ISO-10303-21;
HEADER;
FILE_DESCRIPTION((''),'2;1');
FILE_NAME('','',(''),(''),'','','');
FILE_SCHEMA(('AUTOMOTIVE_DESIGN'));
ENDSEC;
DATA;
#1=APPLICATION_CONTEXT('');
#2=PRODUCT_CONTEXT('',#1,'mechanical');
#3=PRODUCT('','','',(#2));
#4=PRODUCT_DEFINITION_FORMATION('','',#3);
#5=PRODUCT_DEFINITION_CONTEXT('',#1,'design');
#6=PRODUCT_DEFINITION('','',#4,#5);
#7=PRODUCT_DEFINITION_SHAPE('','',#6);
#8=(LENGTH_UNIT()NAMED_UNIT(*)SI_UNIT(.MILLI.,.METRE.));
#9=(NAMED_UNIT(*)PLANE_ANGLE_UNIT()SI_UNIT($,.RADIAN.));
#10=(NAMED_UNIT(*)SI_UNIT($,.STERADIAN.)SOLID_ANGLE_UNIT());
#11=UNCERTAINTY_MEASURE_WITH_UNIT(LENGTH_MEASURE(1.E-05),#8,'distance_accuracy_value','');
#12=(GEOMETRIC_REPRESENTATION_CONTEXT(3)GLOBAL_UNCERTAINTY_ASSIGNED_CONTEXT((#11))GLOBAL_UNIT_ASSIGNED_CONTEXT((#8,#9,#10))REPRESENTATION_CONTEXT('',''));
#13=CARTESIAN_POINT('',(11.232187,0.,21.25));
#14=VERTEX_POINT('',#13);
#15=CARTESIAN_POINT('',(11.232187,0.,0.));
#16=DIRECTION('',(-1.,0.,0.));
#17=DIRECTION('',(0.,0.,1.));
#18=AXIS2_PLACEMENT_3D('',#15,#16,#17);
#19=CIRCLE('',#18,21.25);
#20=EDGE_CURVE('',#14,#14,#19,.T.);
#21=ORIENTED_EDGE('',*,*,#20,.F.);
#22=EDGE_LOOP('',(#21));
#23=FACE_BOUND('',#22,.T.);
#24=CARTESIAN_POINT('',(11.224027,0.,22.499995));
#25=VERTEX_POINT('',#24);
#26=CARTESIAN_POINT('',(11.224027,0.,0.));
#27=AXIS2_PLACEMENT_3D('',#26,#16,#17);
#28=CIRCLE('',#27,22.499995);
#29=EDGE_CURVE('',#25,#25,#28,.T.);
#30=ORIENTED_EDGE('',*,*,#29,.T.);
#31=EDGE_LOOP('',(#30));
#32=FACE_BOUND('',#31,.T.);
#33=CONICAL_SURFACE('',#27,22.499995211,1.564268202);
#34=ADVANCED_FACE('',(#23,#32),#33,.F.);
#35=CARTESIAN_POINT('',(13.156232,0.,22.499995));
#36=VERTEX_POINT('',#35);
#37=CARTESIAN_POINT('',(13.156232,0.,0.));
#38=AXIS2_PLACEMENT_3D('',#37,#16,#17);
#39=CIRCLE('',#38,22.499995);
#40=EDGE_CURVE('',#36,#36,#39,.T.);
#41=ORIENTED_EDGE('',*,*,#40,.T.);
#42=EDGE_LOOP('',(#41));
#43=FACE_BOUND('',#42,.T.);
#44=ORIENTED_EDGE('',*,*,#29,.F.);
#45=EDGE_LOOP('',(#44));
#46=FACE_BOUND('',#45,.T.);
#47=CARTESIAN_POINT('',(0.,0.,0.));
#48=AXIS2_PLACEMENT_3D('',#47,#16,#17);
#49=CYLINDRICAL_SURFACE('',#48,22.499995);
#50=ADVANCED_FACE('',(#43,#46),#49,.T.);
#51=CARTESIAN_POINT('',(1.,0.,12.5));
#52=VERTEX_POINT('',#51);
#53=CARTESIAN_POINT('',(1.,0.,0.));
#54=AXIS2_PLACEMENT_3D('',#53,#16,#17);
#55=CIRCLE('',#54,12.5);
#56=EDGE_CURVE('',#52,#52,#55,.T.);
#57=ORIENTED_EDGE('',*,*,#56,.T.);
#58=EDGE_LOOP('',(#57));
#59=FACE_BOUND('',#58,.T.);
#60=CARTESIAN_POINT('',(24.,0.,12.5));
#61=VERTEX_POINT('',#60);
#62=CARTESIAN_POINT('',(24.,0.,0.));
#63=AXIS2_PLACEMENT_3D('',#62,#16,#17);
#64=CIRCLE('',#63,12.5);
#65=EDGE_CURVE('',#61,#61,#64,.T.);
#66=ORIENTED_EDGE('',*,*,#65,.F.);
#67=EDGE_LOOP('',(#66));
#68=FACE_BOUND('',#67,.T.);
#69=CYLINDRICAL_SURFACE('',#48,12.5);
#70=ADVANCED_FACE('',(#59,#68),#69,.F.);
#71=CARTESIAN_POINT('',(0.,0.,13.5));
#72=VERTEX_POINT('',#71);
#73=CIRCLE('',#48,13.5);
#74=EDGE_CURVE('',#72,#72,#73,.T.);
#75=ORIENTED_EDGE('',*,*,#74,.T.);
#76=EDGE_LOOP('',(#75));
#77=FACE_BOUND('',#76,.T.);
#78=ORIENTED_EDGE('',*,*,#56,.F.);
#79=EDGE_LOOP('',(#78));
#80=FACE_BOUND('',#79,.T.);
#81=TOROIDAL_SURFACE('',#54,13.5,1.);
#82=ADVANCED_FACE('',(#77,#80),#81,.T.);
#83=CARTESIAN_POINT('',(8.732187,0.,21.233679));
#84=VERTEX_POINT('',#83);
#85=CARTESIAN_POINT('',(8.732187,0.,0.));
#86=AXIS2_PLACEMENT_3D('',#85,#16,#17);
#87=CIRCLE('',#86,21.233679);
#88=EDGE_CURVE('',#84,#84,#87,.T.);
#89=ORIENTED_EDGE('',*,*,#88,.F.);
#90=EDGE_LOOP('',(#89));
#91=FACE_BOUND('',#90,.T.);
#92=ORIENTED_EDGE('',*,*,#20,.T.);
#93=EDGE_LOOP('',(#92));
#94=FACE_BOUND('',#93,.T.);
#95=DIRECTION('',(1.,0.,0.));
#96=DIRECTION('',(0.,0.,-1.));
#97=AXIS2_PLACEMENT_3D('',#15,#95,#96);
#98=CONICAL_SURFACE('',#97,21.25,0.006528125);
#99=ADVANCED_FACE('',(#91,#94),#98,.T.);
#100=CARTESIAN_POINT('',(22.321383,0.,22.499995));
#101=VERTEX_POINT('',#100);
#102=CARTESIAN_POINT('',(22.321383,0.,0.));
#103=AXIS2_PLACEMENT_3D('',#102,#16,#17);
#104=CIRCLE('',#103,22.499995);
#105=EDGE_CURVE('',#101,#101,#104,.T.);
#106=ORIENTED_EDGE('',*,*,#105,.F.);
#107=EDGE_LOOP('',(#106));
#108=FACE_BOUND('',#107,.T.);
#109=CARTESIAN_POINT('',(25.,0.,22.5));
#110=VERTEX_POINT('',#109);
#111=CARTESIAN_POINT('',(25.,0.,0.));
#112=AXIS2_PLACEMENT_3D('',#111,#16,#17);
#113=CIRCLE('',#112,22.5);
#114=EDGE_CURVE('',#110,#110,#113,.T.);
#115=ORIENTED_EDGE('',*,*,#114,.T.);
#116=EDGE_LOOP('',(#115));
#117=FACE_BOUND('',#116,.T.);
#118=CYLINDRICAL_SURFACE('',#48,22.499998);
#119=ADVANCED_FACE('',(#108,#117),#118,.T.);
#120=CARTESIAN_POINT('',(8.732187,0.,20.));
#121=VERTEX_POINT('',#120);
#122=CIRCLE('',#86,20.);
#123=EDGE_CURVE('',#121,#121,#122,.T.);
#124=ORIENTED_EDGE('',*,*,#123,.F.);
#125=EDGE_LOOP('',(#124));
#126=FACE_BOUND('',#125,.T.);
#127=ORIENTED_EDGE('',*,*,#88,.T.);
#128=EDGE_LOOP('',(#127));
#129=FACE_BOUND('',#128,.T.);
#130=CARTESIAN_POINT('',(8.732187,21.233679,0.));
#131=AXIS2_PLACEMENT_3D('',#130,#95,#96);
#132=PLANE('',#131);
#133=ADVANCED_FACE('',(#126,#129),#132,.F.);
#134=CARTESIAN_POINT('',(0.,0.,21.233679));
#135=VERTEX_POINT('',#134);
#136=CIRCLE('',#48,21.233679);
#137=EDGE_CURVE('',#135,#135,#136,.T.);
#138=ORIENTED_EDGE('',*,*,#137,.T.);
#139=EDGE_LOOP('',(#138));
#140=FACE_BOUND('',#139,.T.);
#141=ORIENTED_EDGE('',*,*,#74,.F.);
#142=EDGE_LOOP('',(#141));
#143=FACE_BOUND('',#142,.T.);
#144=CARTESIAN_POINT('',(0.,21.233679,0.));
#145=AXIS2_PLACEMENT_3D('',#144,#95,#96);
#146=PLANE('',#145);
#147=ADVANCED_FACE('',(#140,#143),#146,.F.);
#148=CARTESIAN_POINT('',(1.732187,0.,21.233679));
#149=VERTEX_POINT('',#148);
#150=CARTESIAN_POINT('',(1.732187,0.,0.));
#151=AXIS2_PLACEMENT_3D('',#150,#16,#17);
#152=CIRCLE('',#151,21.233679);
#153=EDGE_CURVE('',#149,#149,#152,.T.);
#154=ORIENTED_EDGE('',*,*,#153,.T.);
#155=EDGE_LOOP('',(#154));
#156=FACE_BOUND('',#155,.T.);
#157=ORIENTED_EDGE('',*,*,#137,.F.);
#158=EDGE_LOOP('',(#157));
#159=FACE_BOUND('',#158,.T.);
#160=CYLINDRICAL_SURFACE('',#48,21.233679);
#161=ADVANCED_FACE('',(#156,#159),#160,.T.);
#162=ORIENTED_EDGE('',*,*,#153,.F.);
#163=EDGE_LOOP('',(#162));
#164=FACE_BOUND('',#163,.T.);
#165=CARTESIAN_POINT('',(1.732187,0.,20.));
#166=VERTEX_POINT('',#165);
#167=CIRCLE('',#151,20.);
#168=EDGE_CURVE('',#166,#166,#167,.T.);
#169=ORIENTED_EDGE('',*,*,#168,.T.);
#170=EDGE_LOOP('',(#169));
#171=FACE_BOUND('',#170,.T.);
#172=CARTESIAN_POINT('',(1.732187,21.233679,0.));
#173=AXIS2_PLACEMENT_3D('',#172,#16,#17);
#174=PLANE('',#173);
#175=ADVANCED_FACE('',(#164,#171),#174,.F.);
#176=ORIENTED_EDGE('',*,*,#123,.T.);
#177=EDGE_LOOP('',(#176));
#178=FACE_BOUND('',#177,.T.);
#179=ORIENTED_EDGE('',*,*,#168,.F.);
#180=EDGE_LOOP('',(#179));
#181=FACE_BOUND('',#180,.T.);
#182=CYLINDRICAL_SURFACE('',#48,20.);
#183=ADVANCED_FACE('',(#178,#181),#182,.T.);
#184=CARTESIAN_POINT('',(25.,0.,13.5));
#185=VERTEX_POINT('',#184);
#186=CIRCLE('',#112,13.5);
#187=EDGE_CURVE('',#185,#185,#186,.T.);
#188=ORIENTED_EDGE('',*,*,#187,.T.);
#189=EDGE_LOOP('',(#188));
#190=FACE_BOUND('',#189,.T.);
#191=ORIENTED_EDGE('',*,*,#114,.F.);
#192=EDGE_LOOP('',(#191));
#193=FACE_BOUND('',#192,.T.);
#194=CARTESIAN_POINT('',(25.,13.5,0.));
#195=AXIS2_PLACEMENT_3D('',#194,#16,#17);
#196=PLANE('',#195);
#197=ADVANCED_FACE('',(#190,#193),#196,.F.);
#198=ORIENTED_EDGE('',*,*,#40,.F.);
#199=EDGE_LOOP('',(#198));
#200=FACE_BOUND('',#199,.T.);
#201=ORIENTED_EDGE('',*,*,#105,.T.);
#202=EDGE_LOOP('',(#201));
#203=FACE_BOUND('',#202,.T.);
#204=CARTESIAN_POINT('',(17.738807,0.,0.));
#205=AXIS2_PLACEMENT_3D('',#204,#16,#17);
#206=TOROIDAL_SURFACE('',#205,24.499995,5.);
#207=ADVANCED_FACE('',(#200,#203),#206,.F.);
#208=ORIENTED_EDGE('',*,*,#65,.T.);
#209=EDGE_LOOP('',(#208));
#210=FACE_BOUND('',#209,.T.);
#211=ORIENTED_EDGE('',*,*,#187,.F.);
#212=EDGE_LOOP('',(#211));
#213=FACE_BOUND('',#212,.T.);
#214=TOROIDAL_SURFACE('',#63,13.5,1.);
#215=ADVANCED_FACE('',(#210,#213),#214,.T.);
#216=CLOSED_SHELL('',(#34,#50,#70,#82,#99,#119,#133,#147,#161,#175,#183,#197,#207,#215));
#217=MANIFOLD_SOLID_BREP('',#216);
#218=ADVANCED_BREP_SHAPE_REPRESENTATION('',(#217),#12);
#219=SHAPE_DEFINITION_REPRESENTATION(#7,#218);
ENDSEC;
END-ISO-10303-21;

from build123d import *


with BuildPart() as part:
    # Esquisse1 → Base-Révolution (revolve)
    with BuildSketch(Plane.XY, mode=Mode.PRIVATE) as base_r_volution_sk:
        with BuildLine():
            Line((1, 12.5), (24, 12.5))
            ThreePointArc((24, 12.5), (24.707106781, 12.792893219), (25, 13.5))
            Line((25, 13.5), (25, 22.5))
            Line((25, 22.5), (22.321383042, 22.499995211))
            ThreePointArc((22.321383042, 22.499995211), (17.738807347, 19.499995211), (13.156231652, 22.499995211))
            Line((13.156231652, 22.499995211), (11.22402651, 22.499995211))
            Line((11.22402651, 22.499995211), (11.232186751, 21.25))
            Line((11.232186751, 21.25), (8.732186751, 21.233679457))
            Line((8.732186751, 21.233679457), (8.732186751, 20))
            Line((8.732186751, 20), (1.732186751, 20))
            Line((1.732186751, 20), (1.732186751, 21.233679457))
            Line((1.732186751, 21.233679457), (0, 21.233679457))
            Line((0, 21.233679457), (0, 20))
            Line((0, 20), (0, 13.5))
            ThreePointArc((0, 13.5), (0.292893219, 12.792893219), (1, 12.5))
        make_face()
    revolve(base_r_volution_sk.sketch.rotate(Axis((0, 0, 0), (1, 0, 0)), 90), axis=Axis((0, 0, 0), (1, 0, 0)))


solid = part.part
